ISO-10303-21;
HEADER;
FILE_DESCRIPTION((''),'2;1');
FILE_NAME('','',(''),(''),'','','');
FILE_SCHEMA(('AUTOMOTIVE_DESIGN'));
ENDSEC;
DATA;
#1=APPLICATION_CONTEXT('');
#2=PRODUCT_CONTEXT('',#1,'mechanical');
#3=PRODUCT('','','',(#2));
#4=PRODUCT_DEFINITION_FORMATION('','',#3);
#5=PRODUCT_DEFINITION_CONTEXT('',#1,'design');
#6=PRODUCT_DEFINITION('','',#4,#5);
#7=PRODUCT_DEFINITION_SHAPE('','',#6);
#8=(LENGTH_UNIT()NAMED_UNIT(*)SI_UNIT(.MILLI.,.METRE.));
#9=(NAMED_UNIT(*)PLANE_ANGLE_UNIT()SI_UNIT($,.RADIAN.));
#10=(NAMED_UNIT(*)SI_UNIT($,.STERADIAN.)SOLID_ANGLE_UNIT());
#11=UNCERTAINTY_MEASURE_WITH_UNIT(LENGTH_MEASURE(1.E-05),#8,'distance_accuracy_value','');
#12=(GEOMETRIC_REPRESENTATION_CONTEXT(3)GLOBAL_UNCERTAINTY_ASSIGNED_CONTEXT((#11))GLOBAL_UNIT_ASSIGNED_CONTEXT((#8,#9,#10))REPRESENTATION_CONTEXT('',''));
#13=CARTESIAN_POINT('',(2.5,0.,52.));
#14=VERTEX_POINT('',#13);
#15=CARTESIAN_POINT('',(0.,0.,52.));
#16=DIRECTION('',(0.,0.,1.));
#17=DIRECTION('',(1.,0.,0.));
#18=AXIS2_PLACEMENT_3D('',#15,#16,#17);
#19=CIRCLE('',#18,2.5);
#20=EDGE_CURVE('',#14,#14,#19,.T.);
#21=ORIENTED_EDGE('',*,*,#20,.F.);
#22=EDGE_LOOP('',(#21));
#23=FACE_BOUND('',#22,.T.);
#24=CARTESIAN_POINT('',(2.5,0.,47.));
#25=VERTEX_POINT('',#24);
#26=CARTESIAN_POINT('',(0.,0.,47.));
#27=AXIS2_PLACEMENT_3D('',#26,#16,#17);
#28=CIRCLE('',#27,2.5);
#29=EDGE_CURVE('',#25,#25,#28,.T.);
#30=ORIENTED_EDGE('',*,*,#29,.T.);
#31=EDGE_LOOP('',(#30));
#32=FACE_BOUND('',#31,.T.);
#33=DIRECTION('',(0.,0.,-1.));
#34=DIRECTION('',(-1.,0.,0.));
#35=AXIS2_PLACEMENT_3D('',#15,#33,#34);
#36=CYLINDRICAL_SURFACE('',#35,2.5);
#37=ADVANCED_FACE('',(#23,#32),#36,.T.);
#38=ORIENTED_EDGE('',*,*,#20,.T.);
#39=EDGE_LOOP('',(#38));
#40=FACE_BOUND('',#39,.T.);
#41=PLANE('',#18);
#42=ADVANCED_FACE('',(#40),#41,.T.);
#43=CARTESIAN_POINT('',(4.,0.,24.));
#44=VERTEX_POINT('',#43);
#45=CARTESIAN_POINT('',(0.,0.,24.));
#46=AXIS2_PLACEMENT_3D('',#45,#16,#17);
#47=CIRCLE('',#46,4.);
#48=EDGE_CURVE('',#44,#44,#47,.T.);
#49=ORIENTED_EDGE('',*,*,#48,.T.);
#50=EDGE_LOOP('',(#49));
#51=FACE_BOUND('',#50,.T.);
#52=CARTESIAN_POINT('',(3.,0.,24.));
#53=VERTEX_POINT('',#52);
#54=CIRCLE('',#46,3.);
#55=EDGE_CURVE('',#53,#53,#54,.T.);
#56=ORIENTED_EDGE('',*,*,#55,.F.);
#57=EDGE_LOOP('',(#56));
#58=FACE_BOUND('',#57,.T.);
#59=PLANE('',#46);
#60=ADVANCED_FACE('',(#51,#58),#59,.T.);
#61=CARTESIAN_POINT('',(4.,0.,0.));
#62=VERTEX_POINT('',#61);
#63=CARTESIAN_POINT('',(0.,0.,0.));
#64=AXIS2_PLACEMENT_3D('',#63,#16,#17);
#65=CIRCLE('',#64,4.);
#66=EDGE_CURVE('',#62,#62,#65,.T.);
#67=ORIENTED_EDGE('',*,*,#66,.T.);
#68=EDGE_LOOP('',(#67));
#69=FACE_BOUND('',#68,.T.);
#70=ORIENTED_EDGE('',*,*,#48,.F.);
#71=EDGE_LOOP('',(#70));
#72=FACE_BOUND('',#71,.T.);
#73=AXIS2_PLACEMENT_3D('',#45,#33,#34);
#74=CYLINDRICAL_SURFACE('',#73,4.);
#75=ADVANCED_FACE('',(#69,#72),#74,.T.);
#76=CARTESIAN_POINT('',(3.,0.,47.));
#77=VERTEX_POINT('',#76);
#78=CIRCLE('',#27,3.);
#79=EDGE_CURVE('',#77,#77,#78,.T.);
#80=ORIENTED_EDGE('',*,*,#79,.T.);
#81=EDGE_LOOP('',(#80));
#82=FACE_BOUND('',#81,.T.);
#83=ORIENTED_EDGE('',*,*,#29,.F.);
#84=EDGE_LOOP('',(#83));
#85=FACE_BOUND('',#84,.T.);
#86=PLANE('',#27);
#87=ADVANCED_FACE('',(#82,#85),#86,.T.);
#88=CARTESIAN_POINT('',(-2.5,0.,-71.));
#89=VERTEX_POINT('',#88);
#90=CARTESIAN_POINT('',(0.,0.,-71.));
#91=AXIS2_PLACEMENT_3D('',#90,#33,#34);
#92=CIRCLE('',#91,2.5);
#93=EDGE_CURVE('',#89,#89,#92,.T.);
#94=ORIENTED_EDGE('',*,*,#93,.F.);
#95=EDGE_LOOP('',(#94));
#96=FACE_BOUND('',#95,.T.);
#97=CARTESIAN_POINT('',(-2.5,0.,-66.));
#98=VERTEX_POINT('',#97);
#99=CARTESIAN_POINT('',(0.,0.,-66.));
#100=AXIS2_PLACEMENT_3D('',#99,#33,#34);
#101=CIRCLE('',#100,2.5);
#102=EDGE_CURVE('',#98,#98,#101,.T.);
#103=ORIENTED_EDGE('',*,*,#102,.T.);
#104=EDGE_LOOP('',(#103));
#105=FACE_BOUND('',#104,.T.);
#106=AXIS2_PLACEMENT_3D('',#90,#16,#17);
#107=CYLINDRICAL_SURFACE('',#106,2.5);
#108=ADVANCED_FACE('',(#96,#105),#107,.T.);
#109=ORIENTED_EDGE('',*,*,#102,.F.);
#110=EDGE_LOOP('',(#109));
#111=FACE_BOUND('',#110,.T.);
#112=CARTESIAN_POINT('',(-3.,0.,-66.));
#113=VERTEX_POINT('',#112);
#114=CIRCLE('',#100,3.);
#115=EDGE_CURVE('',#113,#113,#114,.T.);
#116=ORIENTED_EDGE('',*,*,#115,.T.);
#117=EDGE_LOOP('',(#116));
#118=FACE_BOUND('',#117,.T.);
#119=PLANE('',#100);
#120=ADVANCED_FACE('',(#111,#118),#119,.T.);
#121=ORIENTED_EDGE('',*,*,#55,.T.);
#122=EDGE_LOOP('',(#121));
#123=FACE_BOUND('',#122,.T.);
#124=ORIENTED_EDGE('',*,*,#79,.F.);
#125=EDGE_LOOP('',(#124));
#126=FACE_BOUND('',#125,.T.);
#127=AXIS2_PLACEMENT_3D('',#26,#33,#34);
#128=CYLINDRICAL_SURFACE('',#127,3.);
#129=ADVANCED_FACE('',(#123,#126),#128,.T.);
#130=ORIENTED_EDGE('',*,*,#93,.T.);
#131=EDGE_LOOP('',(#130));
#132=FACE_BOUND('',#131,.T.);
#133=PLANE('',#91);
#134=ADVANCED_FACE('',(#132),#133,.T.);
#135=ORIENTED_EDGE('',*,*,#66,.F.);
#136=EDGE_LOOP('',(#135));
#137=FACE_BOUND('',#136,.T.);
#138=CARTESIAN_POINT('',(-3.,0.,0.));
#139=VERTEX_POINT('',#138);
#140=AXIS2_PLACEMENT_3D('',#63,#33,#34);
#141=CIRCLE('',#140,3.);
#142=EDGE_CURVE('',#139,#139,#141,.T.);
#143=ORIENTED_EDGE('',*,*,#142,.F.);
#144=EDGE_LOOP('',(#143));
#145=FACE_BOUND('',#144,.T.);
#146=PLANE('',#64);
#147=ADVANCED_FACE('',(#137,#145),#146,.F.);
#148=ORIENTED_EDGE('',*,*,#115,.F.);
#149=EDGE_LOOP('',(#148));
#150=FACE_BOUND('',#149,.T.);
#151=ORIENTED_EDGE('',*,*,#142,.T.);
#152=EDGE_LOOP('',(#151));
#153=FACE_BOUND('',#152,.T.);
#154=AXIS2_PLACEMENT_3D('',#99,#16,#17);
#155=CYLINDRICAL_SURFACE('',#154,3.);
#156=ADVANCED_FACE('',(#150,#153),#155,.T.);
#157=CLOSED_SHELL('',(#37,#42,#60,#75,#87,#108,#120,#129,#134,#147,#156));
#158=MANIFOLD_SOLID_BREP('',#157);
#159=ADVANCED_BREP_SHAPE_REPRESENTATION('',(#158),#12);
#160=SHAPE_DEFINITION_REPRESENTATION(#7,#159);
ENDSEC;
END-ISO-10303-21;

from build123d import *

# Parameters (mm, degrees)
SKETCH_1_R      = 4
EXTRUDE_1_DEPTH = 24
SKETCH_2_R      = 3
EXTRUDE_2_DEPTH = 23
EXTRUDE_START   = 66
SKETCH_3_R      = 3
EXTRUDE_3_DEPTH = 66
SKETCH_4_R      = 2.5
EXTRUDE_4_DEPTH = 5
EXTRUDE_START_2 = 5
SKETCH_6_R      = 2.5
EXTRUDE_5_DEPTH = 5


with BuildPart() as part:
    # 草图1 → 凸台-拉伸1 (new body)
    with BuildSketch(Plane.XY):
        Circle(SKETCH_1_R)
    extrude(amount=EXTRUDE_1_DEPTH)

    # 草图2 → 凸台-拉伸2 (add)
    with BuildSketch(Plane.XY.offset(24)):
        Circle(SKETCH_2_R)
    extrude(amount=EXTRUDE_2_DEPTH)

    # 草图3 → 凸台-拉伸3 (add)
    with BuildSketch(Plane(origin=(0, 0, 0), x_dir=(-1, 0, 0), z_dir=(0, 0, -1)).offset(EXTRUDE_START)):
        with Locations(Location((0, 0, 0), (0, 0, 180))):
            Circle(SKETCH_3_R)
    extrude(amount=-EXTRUDE_3_DEPTH)

    # 草图4 → 凸台-拉伸4 (add)
    with BuildSketch(Plane(origin=(0, 0, -66), x_dir=(-1, 0, 0), z_dir=(0, 0, -1))):
        Circle(SKETCH_4_R)
    extrude(amount=EXTRUDE_4_DEPTH)

    # 草图6 → 凸台-拉伸5 (add)
    with BuildSketch(Plane.XY.offset(47).offset(EXTRUDE_START_2)):
        with Locations(Location((0, 0, 0), (0, 0, 180))):
            Circle(SKETCH_6_R)
    extrude(amount=-EXTRUDE_5_DEPTH)


solid = part.part
